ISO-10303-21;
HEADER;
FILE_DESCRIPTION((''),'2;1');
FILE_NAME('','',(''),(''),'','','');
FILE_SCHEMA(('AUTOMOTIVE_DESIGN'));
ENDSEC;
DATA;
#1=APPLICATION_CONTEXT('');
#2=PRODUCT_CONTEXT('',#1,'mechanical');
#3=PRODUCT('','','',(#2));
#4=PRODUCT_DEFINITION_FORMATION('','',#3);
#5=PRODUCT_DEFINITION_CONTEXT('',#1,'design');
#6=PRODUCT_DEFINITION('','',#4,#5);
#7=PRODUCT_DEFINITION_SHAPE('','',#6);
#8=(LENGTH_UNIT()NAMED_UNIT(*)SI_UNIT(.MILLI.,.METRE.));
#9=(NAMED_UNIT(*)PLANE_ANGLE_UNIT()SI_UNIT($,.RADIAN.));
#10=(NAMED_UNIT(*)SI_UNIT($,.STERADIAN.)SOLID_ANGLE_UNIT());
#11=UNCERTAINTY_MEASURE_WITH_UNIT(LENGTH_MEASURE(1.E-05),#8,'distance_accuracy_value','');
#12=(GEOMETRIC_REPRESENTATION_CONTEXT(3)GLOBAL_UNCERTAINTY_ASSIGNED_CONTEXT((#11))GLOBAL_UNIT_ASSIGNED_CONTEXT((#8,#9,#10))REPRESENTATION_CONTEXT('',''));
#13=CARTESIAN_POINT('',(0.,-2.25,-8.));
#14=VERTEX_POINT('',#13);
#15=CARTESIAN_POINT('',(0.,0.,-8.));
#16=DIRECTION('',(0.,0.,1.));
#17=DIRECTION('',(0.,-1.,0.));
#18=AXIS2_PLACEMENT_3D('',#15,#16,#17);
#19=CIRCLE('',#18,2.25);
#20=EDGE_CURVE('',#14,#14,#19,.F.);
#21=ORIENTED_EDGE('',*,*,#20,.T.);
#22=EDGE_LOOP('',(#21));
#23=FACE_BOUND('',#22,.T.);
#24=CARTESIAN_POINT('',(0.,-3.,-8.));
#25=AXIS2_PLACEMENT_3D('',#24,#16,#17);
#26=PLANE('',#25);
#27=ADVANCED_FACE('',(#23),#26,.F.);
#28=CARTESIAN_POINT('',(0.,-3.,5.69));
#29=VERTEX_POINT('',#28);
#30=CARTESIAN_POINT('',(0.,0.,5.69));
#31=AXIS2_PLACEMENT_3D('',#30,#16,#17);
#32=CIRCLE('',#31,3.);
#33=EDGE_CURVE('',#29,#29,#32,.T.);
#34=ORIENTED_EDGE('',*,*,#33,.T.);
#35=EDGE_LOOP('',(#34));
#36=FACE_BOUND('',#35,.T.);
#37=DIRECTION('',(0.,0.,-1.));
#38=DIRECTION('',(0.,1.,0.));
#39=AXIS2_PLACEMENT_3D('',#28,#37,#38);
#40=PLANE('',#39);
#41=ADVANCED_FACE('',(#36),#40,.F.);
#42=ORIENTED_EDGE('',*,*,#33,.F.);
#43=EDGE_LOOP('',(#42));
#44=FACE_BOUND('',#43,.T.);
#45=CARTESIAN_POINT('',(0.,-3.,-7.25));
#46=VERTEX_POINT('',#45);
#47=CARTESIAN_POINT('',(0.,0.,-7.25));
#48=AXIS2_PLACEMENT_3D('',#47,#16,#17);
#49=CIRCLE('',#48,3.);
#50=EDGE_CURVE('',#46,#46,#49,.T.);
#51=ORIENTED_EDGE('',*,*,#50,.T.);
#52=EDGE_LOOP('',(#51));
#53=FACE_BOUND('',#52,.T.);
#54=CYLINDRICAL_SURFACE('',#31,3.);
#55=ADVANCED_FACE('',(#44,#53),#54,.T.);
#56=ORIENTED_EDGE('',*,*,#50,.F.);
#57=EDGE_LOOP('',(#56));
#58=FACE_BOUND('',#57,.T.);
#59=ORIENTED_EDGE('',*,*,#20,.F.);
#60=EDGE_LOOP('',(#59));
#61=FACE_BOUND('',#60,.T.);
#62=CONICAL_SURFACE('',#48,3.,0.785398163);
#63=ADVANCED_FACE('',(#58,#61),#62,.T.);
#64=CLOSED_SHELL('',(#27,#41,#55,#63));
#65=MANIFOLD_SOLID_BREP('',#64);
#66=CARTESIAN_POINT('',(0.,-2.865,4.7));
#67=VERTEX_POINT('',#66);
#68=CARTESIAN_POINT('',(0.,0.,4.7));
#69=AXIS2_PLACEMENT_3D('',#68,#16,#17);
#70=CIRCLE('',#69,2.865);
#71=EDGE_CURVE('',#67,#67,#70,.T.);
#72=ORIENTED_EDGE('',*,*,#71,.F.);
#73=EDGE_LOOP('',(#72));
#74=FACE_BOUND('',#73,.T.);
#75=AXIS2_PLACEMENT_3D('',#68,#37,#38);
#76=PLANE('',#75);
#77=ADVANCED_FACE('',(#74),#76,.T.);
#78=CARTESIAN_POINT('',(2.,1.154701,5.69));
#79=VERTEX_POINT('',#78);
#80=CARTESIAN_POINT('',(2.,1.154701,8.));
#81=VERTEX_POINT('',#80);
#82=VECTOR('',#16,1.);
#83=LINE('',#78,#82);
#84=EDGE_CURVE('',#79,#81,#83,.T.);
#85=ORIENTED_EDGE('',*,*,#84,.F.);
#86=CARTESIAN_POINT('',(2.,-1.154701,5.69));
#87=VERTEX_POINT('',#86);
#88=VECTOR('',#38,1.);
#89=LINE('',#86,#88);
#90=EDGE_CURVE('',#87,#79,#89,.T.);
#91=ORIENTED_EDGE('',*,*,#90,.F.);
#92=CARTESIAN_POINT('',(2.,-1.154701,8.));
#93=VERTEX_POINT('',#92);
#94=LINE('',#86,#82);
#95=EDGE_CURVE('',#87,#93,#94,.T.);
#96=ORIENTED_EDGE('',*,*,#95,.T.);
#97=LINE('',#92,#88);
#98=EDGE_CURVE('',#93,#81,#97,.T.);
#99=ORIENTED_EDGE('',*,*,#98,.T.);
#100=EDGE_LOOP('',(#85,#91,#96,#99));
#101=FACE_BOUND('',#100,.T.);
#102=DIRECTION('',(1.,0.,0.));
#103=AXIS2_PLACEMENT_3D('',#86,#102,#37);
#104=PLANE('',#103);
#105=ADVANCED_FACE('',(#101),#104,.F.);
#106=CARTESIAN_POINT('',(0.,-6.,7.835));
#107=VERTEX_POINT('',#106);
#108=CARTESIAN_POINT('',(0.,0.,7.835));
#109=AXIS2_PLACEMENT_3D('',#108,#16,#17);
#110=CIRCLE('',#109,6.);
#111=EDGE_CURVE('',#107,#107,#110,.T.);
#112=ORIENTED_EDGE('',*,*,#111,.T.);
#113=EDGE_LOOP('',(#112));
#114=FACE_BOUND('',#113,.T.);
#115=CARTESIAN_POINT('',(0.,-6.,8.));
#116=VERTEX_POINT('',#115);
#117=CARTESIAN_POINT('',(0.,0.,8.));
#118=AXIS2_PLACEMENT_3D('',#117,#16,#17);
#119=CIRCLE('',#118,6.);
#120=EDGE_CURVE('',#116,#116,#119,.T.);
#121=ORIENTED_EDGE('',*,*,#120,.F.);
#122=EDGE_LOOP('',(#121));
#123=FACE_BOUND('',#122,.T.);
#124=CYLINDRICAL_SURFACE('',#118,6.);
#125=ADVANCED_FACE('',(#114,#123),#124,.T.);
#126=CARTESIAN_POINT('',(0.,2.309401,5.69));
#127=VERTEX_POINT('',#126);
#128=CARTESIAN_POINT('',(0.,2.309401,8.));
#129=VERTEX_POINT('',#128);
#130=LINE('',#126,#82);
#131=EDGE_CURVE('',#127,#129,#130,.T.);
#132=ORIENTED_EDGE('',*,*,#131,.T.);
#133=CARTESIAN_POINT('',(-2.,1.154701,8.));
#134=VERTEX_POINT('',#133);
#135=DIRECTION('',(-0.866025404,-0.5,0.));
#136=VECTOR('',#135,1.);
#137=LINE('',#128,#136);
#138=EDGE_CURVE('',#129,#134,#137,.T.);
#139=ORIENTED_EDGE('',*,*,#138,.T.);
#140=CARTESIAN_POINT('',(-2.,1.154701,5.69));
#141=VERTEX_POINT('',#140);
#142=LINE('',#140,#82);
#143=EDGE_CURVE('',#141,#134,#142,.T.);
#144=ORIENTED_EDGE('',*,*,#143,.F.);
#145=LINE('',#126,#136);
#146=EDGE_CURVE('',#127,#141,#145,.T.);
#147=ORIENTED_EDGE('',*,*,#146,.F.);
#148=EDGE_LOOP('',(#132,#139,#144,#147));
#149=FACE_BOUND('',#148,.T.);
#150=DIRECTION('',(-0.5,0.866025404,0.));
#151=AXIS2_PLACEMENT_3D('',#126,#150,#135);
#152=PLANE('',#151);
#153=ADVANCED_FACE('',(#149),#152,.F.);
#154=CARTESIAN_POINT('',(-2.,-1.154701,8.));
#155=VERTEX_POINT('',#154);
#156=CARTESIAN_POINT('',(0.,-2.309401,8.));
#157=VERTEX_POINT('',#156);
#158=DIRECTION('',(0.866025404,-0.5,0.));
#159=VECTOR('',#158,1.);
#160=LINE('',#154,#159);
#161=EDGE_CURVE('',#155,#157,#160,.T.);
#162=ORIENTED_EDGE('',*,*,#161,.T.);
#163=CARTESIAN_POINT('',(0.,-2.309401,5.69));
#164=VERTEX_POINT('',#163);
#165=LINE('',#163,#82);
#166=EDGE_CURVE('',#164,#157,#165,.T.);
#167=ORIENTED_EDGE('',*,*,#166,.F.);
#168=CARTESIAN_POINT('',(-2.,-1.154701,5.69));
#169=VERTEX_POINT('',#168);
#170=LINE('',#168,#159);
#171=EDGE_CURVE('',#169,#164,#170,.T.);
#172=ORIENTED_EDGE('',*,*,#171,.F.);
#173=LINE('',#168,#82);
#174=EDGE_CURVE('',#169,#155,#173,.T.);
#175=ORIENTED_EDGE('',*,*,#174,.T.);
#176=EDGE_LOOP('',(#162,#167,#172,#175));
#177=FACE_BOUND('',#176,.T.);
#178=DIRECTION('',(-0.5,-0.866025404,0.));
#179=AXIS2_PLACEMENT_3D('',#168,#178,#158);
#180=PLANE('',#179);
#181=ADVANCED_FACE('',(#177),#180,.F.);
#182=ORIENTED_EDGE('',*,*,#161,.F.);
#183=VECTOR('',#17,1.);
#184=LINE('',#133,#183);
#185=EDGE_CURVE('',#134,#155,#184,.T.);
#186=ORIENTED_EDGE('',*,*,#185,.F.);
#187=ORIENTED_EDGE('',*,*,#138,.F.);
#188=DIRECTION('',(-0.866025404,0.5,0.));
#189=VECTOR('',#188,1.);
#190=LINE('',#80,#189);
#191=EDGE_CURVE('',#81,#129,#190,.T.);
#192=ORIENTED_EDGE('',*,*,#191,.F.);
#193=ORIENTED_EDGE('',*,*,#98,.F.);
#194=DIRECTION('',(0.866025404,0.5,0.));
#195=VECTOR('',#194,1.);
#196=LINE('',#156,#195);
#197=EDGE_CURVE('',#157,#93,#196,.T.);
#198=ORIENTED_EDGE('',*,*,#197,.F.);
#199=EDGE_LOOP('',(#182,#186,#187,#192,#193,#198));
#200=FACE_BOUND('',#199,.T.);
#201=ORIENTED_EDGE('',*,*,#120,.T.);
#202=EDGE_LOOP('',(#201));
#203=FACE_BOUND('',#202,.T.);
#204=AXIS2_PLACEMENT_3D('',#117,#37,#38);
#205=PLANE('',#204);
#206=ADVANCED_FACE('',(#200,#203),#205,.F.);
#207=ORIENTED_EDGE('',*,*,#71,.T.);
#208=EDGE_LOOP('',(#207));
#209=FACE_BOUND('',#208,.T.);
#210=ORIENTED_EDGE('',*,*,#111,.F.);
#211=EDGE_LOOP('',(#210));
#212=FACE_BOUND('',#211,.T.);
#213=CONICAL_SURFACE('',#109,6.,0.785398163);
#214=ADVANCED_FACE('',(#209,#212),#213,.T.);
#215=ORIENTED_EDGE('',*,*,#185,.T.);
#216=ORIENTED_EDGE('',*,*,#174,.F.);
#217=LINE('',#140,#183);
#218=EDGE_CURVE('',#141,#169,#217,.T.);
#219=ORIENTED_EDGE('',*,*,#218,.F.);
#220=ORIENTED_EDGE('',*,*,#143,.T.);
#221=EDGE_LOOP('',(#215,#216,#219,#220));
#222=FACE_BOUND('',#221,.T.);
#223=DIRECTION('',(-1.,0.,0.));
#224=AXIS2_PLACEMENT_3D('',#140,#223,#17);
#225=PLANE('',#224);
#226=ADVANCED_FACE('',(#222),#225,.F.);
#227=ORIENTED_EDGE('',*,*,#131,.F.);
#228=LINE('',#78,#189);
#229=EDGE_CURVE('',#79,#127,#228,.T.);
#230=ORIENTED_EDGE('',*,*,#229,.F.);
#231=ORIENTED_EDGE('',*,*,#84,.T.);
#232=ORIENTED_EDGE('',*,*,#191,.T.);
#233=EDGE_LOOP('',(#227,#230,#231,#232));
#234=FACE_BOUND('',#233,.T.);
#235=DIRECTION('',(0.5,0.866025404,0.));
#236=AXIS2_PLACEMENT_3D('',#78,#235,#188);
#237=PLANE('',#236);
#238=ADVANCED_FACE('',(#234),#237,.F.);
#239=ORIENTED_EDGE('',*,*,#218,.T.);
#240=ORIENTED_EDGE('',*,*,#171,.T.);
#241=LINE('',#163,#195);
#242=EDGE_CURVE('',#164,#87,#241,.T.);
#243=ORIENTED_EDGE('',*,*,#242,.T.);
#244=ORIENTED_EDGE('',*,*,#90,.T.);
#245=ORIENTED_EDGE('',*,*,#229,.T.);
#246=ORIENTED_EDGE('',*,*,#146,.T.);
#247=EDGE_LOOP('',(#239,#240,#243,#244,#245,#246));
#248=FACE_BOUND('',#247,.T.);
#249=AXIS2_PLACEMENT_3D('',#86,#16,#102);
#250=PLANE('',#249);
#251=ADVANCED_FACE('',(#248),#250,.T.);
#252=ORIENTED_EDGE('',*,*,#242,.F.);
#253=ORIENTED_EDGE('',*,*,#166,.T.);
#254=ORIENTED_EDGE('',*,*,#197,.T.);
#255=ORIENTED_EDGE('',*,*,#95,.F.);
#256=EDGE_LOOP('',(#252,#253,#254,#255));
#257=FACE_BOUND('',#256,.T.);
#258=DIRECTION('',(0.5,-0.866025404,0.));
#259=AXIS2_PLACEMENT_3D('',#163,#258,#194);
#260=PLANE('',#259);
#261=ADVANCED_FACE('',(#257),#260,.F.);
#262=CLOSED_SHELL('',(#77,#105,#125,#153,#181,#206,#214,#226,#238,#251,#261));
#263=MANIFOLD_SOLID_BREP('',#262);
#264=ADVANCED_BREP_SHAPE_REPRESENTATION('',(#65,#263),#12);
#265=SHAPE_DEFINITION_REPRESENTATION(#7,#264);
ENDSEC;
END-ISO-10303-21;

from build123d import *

# Parameters (mm, degrees)
CHAMFER1_SIZE      = 0.75
CUT_EXTRUDE2_DEPTH = 2.31


with BuildPart() as part:
    # Sketch1 → Revolve1 (revolve)
    with BuildSketch(Plane(origin=(0, 0, 0), x_dir=(0, 0, -1), z_dir=(1, 0, 0))):
        Polygon((-4.7, 3), (8, 3), (8, 0), (-5.69, 0), (-5.69, 3), align=None)
    revolve(axis=Axis((0, 0, 5.69), (0, 0, -1)))

    # Chamfer1
    chamfer1_edges = [part.edges().sort_by_distance(p)[0] for p in [
        (0, -3, -8),
    ]]
    chamfer(chamfer1_edges, length=CHAMFER1_SIZE)


with BuildPart() as body_2:
    # Sketch7 → Revolve2 (revolve)
    with BuildSketch(Plane(origin=(0, 0, 0), x_dir=(0, 0, -1), z_dir=(1, 0, 0))):
        Polygon((-7.835, 6), (-8, 6), (-8, 0), (-4.7, 0), (-4.7, 2.865), align=None)
    revolve(axis=Axis((0, 0, 8), (0, 0, -1)))

    # Sketch5 → Cut-Extrude2 (cut)
    with BuildSketch(Plane.XY.offset(8)):
        Polygon((2, -1.154700538), (2, 1.154700538), (0, 2.309401077), (-2, 1.154700538), (-2, -1.154700538), (0, -2.309401077), align=None)
    extrude(amount=-CUT_EXTRUDE2_DEPTH, mode=Mode.SUBTRACT)


solid = Compound([part.part, body_2.part])
